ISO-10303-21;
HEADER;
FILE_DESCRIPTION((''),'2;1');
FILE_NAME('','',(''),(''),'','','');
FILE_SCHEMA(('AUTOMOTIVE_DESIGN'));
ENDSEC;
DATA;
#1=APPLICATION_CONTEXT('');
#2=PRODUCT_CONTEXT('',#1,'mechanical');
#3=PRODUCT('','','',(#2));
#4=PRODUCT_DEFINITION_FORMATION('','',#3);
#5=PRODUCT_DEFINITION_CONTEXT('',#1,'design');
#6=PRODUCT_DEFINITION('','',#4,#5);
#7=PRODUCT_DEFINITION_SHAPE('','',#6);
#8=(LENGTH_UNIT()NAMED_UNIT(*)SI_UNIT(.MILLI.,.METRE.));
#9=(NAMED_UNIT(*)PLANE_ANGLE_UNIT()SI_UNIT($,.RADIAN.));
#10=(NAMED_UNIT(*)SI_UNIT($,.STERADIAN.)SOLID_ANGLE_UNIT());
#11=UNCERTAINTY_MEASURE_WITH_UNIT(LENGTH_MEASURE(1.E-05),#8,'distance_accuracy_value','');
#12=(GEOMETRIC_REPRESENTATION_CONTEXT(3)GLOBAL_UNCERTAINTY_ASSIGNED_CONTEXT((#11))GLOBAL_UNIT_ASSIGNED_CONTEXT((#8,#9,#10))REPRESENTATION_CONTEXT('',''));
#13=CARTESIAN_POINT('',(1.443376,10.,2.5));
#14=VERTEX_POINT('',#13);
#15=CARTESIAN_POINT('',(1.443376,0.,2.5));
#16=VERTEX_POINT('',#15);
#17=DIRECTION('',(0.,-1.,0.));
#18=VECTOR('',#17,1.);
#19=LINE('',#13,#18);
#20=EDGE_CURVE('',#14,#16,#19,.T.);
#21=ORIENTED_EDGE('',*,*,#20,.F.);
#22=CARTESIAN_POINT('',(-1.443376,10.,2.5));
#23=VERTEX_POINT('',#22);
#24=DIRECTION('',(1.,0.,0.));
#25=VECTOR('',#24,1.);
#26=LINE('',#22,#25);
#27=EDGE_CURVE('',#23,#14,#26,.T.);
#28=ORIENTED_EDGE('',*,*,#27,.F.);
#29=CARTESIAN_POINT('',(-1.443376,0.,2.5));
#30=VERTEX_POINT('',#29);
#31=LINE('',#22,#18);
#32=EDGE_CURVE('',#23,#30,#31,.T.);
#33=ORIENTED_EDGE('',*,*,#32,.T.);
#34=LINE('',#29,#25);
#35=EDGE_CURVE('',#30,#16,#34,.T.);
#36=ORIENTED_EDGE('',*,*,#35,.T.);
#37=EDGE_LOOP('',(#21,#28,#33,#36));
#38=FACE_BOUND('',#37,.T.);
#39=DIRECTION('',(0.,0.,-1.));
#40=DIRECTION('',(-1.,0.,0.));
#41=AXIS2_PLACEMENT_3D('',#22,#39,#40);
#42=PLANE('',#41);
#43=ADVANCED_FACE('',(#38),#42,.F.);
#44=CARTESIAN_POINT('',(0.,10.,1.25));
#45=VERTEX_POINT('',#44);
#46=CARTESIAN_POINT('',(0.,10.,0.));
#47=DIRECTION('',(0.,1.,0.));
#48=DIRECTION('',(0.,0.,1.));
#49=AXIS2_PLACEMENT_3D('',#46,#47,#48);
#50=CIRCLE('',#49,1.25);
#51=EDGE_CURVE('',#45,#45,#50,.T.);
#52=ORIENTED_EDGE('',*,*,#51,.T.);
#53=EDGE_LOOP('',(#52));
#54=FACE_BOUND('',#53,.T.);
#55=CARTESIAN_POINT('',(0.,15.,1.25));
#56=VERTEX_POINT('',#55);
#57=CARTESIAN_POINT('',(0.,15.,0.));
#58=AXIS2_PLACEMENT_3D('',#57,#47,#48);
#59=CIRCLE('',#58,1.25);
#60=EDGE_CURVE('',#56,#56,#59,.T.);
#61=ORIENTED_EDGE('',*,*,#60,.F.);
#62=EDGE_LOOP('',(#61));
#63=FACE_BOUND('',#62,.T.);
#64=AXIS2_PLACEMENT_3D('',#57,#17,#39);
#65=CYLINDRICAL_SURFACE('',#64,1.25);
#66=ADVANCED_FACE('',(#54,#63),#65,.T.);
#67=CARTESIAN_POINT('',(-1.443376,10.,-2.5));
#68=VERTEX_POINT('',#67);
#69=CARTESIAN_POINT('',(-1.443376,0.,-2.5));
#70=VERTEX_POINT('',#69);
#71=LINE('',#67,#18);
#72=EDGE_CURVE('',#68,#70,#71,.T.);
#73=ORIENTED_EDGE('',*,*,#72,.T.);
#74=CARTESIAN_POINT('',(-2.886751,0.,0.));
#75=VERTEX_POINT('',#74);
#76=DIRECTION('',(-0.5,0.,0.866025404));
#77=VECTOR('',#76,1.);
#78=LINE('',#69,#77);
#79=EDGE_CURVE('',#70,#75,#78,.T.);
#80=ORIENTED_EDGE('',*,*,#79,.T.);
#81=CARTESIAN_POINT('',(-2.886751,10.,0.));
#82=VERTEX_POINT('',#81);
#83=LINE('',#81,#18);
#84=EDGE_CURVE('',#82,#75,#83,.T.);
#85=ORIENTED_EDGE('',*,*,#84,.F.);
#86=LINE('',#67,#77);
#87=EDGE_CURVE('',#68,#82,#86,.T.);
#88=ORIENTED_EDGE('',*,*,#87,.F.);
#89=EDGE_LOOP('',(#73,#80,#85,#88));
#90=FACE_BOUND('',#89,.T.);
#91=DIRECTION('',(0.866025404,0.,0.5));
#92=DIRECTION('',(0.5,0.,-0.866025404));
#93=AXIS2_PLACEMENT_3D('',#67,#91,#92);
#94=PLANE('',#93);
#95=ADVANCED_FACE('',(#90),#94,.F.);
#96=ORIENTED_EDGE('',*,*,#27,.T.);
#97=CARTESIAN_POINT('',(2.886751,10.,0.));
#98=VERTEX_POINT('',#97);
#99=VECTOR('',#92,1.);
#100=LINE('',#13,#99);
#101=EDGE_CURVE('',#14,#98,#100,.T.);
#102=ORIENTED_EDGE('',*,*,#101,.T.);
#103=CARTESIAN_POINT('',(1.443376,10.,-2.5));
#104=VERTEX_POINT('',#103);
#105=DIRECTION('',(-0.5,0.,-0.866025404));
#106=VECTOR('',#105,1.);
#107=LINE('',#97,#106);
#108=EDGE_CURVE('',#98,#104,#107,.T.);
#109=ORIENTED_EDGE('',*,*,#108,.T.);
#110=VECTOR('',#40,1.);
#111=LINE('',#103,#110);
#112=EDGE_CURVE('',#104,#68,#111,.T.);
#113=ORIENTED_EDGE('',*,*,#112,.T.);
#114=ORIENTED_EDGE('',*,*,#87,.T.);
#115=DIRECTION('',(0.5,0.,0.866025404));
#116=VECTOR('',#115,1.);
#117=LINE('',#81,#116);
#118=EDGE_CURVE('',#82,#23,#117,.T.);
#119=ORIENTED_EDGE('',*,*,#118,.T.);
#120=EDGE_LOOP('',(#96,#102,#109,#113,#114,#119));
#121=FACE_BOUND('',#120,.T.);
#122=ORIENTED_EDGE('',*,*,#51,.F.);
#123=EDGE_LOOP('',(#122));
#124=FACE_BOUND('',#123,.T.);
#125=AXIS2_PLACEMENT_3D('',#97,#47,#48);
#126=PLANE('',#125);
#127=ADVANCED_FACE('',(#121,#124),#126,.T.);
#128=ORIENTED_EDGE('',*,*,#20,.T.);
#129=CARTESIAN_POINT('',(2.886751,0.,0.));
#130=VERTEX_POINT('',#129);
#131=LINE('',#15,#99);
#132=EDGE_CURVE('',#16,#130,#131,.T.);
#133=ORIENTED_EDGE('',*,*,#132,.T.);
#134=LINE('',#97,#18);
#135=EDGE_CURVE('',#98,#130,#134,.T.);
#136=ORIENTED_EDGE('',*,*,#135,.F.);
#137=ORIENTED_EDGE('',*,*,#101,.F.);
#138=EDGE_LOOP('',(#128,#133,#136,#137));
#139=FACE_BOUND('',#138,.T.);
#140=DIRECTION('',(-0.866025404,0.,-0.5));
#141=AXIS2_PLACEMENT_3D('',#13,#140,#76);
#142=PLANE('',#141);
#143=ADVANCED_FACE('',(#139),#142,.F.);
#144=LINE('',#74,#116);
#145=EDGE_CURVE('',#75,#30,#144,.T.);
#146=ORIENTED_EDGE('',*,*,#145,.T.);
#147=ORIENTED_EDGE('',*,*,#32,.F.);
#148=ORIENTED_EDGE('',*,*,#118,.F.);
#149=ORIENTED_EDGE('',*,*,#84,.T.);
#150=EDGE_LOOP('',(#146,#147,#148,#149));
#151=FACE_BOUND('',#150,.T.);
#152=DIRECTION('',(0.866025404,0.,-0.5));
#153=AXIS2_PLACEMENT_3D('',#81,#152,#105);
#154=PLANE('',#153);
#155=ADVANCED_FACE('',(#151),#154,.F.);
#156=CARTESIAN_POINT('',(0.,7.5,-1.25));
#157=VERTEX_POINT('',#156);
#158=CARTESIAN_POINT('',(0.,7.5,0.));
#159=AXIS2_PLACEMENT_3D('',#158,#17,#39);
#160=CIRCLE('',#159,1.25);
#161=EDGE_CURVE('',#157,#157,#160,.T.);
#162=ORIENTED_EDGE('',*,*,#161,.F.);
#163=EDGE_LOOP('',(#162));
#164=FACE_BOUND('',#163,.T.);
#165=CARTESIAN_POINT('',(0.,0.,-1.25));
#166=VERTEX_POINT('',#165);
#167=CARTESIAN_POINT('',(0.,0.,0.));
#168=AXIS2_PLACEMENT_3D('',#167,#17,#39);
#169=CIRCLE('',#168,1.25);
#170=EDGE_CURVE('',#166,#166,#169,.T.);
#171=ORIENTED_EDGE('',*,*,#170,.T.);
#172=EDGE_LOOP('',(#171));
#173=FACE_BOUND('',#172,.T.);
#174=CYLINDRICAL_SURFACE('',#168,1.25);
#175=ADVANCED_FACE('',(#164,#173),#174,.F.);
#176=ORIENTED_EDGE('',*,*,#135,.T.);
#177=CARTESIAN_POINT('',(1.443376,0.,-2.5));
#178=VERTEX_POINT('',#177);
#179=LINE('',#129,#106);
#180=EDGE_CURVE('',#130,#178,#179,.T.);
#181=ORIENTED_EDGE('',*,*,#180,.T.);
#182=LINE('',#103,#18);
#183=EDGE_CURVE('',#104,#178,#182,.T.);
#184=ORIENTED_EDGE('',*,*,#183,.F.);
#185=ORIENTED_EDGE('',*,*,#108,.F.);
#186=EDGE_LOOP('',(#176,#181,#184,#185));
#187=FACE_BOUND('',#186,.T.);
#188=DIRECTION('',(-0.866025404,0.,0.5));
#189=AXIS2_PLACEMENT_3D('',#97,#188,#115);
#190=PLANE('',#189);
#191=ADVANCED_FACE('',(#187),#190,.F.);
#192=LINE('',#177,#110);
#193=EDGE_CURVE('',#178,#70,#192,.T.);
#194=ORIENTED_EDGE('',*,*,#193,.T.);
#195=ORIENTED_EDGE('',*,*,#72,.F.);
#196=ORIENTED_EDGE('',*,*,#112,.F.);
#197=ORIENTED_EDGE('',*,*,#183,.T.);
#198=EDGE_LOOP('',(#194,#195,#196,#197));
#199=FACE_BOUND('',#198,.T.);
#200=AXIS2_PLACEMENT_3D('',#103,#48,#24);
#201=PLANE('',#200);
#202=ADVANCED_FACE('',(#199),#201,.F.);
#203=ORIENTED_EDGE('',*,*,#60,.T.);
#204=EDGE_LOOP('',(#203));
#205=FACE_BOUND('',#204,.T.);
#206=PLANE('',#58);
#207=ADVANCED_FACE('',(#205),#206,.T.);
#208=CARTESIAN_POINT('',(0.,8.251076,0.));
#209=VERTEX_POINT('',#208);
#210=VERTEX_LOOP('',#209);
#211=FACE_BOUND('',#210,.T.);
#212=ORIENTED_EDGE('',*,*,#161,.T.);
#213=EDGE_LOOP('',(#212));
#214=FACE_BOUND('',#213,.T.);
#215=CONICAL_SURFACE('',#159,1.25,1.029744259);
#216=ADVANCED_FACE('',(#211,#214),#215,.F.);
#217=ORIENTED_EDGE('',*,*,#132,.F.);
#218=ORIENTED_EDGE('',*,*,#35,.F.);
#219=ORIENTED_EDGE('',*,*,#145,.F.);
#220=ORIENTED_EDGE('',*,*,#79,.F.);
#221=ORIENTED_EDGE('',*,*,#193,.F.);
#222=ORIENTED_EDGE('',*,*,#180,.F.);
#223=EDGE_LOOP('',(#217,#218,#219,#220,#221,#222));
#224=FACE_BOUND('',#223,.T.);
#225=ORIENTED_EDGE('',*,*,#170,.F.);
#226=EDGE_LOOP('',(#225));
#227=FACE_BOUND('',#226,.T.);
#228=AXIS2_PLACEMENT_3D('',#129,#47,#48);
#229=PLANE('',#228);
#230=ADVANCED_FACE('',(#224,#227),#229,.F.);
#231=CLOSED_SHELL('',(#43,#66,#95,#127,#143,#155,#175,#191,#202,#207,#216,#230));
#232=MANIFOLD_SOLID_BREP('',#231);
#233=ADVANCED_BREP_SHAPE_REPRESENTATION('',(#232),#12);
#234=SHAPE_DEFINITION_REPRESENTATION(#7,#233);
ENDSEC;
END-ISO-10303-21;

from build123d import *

# Parameters (mm, degrees)
HEX_2_DEPTH                 = 10
M3X1_0_FEMALE_THREADS_D     = 2.5
M3X1_0_FEMALE_THREADS_DEPTH = 7.5
M3X1_0_FEMALE_THREADS_TIP   = 0.751075774
M3X1_0_START                = 5
SKETCH2_R                   = 1.25
M3X1_0_MALE_THREADS_DEPTH   = 5


with BuildPart() as part:
    # Sketch1 → Hex 2 (new body)
    with BuildSketch(Plane(origin=(0, 0, 0), x_dir=(1, 0, 0), z_dir=(0, 1, 0))):
        Polygon((2.886751346, 0), (1.443375673, 2.5), (-1.443375673, 2.5), (-2.886751346, 0), (-1.443375673, -2.5), (1.443375673, -2.5), align=None)
    extrude(amount=HEX_2_DEPTH)

    # M3x1.0 Female Threads
    with Locations(Plane.XZ):
        with Locations((0, 0)):
            Hole(M3X1_0_FEMALE_THREADS_D / 2, depth=M3X1_0_FEMALE_THREADS_DEPTH)
            with Locations((0, 0, -(M3X1_0_FEMALE_THREADS_DEPTH + M3X1_0_FEMALE_THREADS_TIP / 2))):  # 118° drill point
                Cone(0, M3X1_0_FEMALE_THREADS_D / 2, M3X1_0_FEMALE_THREADS_TIP, mode=Mode.SUBTRACT)

    # Sketch2 → M3x1.0 Male Threads (add)
    with BuildSketch(Plane(origin=(0, 10, 0), x_dir=(-1, 0, 0), z_dir=(0, 1, 0)).offset(M3X1_0_START)):
        with Locations(Location((0, 0, 0), (0, 0, 270))):
            Circle(SKETCH2_R)
    extrude(amount=-M3X1_0_MALE_THREADS_DEPTH)


solid = part.part
